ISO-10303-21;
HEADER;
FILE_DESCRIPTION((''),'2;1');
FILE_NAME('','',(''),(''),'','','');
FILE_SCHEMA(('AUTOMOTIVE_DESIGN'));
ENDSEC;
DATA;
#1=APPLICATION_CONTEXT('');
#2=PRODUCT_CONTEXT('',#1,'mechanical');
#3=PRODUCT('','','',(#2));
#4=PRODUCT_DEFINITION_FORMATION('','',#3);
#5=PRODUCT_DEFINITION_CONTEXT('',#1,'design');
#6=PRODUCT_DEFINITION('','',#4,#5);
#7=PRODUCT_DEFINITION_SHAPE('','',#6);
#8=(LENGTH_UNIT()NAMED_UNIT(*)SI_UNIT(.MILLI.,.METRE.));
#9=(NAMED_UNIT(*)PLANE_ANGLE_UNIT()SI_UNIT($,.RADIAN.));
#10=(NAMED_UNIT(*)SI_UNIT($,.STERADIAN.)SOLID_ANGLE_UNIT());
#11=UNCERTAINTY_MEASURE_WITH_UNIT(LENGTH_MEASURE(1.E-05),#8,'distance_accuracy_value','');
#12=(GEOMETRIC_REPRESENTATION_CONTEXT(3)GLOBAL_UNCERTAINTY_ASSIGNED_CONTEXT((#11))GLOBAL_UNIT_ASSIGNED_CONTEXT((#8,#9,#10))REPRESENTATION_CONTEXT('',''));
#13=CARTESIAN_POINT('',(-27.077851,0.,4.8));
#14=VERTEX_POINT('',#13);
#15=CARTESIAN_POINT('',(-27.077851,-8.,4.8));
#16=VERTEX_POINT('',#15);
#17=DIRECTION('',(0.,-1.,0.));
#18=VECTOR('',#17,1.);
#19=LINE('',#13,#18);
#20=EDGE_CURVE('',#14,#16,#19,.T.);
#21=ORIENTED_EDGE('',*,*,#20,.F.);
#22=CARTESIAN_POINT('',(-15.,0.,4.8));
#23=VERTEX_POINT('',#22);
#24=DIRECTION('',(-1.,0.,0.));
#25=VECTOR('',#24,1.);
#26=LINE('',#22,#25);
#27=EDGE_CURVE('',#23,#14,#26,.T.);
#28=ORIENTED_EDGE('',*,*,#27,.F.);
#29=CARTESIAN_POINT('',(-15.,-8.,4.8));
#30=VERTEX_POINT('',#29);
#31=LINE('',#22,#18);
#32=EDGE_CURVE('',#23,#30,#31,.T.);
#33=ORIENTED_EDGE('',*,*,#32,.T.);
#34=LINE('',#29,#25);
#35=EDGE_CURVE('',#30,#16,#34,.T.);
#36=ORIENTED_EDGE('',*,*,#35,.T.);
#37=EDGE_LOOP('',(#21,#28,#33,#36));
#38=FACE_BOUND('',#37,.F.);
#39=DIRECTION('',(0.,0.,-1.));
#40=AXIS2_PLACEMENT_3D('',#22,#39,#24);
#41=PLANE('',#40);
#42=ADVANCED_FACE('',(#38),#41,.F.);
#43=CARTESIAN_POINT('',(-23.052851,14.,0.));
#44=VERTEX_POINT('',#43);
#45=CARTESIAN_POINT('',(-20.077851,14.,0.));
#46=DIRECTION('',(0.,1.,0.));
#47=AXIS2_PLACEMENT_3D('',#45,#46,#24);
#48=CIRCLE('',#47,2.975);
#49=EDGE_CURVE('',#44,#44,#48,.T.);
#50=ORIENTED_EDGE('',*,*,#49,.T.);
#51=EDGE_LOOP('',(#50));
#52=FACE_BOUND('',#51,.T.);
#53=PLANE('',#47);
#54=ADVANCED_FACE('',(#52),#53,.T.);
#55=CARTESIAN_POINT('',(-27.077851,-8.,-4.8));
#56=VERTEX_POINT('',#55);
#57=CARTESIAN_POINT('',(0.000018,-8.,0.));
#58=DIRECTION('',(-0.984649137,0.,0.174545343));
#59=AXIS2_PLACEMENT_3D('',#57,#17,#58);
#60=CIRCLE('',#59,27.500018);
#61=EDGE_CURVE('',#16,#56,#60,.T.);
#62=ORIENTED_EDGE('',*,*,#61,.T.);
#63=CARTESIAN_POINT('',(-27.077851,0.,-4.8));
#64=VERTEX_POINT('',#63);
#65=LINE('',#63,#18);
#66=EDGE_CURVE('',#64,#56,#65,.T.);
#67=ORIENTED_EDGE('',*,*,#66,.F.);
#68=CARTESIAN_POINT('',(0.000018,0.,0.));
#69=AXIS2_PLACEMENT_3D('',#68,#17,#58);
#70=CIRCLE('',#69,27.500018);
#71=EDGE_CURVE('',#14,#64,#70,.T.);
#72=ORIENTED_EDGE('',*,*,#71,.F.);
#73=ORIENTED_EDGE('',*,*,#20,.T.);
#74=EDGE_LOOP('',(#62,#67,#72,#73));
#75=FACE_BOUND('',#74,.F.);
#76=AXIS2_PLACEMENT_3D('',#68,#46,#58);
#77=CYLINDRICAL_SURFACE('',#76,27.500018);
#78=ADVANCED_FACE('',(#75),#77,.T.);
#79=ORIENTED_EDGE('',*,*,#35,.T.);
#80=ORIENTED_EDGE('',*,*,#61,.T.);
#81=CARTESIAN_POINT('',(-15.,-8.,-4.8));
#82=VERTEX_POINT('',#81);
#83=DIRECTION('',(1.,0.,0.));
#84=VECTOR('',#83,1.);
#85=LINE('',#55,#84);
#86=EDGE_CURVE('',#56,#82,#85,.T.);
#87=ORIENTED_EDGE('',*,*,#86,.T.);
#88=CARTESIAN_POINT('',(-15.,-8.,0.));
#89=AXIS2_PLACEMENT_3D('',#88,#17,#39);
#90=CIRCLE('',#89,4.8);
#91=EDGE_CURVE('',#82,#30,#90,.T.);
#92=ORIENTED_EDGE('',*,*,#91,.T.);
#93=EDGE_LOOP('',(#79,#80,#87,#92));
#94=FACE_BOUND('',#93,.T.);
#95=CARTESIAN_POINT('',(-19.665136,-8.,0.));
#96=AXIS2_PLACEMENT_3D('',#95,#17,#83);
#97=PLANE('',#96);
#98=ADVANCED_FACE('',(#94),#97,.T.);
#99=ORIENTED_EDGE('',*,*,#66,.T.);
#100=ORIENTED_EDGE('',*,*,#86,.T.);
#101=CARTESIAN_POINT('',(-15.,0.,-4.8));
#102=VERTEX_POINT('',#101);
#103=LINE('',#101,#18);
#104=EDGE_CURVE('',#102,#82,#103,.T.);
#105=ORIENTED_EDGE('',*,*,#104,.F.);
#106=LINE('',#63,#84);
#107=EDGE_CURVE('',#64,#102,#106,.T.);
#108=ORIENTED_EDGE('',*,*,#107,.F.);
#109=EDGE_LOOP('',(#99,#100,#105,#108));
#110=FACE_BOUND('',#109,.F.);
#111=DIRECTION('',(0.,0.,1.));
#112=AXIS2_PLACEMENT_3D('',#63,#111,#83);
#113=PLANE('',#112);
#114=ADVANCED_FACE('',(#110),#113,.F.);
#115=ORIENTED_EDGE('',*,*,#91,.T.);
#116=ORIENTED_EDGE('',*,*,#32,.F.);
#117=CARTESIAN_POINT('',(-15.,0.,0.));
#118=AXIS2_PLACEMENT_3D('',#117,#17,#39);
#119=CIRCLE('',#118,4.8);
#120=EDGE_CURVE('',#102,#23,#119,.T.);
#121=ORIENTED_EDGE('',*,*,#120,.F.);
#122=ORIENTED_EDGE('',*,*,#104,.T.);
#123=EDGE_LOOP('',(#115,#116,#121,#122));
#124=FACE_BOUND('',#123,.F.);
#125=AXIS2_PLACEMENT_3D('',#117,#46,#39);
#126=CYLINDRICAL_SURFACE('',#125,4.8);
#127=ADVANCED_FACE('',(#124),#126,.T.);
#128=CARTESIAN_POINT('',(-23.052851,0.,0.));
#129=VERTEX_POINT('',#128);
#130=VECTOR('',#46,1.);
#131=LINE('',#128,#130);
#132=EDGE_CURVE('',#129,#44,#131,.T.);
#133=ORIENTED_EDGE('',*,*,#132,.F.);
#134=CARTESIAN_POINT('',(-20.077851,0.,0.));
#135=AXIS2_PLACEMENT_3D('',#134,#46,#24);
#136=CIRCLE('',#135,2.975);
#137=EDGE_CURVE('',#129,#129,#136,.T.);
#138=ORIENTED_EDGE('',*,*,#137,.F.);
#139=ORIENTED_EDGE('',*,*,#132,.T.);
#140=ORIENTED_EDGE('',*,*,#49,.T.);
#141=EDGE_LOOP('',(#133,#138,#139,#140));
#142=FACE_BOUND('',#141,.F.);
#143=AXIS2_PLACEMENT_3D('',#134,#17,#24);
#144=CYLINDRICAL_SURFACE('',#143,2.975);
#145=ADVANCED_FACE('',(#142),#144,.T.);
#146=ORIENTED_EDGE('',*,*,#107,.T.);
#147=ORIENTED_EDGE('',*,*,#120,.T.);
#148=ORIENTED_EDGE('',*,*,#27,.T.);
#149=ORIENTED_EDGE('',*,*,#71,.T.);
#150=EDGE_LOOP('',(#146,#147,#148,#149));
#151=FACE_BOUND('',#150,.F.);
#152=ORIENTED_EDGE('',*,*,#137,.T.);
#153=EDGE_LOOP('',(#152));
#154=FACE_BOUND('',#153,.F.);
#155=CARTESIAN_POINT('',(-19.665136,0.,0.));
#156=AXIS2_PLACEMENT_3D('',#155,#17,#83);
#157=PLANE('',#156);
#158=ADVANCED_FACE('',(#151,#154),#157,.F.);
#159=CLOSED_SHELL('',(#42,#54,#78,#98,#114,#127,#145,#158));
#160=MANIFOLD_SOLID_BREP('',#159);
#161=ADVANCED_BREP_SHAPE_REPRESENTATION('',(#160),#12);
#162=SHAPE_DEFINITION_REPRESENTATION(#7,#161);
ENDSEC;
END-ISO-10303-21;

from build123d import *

# Parameters (mm, degrees)
F1_DEPTH = 8
F2_R     = 2.975
F3_DEPTH = 14


with BuildPart() as f1:
    # F0 (on Front) → F1 (new body)
    with BuildSketch(Plane.XZ):
        with BuildLine():
            Line((-15, 4.8), (-27.077851, 4.8))
            ThreePointArc((-27.077851, 4.8), (-27.5, 0), (-27.077851, -4.8))
            Line((-27.077851, -4.8), (-15, -4.8))
            ThreePointArc((-15, -4.8), (-10.2, 0), (-15, 4.8))
        make_face()
    extrude(amount=F1_DEPTH)

    # F2 (on face) → F3 (join)
    with BuildSketch(Plane(origin=(0, 0, 0), x_dir=(-1, 0, 0), z_dir=(0, 1, 0))):
        with Locations((20.077851, 0)):
            Circle(F2_R)
    extrude(amount=F3_DEPTH)


solid = f1.part
